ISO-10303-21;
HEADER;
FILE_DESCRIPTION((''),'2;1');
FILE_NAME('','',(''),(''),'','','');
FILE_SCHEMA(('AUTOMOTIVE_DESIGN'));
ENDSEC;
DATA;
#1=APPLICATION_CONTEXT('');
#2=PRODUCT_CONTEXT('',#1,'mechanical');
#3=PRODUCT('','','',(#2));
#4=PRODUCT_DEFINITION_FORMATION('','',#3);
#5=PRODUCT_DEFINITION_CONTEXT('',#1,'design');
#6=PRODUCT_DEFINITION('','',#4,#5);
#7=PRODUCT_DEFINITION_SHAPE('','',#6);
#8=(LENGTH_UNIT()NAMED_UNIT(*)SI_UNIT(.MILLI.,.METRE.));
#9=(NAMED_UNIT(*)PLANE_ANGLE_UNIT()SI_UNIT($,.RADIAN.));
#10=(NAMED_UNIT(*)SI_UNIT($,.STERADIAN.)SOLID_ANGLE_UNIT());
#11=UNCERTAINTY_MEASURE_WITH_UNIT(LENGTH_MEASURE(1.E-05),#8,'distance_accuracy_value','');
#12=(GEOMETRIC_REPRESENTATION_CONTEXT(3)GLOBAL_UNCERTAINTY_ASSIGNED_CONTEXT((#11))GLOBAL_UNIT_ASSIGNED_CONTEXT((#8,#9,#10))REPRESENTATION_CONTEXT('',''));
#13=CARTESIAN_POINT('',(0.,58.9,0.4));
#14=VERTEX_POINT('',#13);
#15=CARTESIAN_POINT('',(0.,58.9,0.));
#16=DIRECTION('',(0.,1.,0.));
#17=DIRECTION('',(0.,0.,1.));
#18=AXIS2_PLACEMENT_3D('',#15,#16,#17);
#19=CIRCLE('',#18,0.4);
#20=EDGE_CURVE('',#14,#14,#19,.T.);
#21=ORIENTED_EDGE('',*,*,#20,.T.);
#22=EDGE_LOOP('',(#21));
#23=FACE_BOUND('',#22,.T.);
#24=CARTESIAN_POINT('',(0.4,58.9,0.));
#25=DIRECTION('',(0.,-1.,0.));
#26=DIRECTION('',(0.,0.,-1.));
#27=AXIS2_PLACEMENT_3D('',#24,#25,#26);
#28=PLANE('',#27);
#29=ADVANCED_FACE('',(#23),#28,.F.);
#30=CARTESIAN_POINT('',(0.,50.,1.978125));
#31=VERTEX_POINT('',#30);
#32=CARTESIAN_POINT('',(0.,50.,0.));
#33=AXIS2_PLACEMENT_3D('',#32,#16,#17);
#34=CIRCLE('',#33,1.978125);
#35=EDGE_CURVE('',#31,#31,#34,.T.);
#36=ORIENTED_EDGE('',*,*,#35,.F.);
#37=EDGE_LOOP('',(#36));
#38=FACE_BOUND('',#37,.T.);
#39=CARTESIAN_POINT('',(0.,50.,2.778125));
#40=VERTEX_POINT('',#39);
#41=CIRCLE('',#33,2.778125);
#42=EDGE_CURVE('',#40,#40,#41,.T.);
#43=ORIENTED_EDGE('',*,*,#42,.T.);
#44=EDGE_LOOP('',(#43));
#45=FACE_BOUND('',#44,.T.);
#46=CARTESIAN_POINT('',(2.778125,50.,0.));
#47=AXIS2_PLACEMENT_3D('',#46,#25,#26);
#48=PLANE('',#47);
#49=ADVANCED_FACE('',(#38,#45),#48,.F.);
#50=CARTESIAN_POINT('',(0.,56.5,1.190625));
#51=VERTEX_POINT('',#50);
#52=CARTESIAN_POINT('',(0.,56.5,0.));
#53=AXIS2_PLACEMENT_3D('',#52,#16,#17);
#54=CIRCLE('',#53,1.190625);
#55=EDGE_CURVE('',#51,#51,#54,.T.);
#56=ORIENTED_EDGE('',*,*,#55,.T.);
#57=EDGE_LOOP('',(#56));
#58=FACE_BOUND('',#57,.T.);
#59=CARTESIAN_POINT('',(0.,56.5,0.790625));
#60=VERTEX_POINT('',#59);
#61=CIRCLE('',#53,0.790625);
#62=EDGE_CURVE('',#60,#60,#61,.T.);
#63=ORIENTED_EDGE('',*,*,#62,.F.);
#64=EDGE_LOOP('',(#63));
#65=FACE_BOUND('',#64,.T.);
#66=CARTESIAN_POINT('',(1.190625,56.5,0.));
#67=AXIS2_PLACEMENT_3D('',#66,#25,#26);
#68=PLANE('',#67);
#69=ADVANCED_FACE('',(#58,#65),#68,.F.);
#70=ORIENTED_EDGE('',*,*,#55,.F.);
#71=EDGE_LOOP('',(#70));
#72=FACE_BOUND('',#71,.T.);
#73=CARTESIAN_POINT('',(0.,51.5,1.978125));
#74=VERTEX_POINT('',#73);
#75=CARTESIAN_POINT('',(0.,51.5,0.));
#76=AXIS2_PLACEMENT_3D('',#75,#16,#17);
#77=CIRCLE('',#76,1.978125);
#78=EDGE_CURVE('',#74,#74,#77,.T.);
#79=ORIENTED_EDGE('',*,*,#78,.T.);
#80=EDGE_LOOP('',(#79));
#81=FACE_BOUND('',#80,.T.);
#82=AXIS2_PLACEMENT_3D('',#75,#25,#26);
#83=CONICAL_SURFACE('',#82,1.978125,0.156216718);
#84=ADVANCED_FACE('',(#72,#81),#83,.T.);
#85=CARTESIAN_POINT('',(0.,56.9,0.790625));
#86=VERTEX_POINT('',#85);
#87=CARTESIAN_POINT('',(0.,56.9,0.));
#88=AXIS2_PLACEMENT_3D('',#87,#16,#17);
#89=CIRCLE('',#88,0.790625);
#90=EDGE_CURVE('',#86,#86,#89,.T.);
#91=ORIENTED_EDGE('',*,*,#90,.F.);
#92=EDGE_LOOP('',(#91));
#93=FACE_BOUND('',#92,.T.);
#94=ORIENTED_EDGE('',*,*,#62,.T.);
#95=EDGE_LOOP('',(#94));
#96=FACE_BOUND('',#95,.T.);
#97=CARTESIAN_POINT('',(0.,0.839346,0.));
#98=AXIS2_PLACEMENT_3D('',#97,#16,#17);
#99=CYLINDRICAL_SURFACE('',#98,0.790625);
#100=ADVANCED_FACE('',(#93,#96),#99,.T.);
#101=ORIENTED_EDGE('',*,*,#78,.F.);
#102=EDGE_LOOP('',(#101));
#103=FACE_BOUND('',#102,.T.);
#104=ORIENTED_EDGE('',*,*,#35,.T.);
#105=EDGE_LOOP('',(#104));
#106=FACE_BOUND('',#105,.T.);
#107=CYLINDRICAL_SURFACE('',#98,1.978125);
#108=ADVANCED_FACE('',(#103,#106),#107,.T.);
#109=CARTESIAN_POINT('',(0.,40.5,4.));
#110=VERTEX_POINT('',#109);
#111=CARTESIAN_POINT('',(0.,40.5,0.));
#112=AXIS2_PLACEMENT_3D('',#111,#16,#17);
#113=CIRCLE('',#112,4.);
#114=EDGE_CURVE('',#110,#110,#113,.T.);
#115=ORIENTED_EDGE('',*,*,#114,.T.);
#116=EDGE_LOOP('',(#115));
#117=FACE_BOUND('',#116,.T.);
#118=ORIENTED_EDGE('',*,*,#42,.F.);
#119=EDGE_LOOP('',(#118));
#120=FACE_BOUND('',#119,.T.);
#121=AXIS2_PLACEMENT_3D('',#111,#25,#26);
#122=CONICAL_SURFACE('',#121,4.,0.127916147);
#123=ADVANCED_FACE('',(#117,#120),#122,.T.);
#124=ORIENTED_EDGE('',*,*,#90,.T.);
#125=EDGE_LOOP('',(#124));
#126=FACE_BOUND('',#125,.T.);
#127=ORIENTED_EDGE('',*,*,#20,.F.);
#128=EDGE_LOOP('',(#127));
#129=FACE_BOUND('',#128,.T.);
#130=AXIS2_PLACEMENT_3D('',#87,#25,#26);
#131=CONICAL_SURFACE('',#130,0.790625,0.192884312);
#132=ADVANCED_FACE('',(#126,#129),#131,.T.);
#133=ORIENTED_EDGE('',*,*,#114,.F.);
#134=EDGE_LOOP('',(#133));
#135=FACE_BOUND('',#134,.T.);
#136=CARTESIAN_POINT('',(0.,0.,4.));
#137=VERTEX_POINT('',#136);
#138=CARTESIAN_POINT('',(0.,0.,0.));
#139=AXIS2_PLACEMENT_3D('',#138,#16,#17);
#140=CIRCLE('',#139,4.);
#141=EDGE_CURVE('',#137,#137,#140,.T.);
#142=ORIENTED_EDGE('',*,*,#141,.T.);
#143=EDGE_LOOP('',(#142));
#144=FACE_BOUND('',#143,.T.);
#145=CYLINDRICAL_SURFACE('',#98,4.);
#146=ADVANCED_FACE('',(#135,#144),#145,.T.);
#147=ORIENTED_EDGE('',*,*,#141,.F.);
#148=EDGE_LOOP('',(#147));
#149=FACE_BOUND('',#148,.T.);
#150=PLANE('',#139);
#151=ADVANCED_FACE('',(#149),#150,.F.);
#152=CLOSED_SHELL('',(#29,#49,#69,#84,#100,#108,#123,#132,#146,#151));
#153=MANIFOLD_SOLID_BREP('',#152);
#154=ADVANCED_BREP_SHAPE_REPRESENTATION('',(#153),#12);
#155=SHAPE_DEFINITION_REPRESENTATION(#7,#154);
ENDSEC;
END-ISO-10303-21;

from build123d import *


with BuildPart() as part:
    # Sketch1 → Revolve1 (revolve)
    with BuildSketch(Plane.XY, mode=Mode.PRIVATE) as revolve1_sk:
        Polygon((0, 0), (4, 0), (4, 40.5), (2.778125, 50), (1.978125, 50), (1.978125, 51.5), (1.190625, 56.5), (0.790625, 56.5), (0.790625, 56.9), (0.4, 58.9), (0, 58.9), align=None)
    revolve(revolve1_sk.sketch.rotate(Axis((0, 0.839345578, 0), (0, -1, 0)), 90), axis=Axis((0, 0.839345578, 0), (0, -1, 0)))


solid = part.part
